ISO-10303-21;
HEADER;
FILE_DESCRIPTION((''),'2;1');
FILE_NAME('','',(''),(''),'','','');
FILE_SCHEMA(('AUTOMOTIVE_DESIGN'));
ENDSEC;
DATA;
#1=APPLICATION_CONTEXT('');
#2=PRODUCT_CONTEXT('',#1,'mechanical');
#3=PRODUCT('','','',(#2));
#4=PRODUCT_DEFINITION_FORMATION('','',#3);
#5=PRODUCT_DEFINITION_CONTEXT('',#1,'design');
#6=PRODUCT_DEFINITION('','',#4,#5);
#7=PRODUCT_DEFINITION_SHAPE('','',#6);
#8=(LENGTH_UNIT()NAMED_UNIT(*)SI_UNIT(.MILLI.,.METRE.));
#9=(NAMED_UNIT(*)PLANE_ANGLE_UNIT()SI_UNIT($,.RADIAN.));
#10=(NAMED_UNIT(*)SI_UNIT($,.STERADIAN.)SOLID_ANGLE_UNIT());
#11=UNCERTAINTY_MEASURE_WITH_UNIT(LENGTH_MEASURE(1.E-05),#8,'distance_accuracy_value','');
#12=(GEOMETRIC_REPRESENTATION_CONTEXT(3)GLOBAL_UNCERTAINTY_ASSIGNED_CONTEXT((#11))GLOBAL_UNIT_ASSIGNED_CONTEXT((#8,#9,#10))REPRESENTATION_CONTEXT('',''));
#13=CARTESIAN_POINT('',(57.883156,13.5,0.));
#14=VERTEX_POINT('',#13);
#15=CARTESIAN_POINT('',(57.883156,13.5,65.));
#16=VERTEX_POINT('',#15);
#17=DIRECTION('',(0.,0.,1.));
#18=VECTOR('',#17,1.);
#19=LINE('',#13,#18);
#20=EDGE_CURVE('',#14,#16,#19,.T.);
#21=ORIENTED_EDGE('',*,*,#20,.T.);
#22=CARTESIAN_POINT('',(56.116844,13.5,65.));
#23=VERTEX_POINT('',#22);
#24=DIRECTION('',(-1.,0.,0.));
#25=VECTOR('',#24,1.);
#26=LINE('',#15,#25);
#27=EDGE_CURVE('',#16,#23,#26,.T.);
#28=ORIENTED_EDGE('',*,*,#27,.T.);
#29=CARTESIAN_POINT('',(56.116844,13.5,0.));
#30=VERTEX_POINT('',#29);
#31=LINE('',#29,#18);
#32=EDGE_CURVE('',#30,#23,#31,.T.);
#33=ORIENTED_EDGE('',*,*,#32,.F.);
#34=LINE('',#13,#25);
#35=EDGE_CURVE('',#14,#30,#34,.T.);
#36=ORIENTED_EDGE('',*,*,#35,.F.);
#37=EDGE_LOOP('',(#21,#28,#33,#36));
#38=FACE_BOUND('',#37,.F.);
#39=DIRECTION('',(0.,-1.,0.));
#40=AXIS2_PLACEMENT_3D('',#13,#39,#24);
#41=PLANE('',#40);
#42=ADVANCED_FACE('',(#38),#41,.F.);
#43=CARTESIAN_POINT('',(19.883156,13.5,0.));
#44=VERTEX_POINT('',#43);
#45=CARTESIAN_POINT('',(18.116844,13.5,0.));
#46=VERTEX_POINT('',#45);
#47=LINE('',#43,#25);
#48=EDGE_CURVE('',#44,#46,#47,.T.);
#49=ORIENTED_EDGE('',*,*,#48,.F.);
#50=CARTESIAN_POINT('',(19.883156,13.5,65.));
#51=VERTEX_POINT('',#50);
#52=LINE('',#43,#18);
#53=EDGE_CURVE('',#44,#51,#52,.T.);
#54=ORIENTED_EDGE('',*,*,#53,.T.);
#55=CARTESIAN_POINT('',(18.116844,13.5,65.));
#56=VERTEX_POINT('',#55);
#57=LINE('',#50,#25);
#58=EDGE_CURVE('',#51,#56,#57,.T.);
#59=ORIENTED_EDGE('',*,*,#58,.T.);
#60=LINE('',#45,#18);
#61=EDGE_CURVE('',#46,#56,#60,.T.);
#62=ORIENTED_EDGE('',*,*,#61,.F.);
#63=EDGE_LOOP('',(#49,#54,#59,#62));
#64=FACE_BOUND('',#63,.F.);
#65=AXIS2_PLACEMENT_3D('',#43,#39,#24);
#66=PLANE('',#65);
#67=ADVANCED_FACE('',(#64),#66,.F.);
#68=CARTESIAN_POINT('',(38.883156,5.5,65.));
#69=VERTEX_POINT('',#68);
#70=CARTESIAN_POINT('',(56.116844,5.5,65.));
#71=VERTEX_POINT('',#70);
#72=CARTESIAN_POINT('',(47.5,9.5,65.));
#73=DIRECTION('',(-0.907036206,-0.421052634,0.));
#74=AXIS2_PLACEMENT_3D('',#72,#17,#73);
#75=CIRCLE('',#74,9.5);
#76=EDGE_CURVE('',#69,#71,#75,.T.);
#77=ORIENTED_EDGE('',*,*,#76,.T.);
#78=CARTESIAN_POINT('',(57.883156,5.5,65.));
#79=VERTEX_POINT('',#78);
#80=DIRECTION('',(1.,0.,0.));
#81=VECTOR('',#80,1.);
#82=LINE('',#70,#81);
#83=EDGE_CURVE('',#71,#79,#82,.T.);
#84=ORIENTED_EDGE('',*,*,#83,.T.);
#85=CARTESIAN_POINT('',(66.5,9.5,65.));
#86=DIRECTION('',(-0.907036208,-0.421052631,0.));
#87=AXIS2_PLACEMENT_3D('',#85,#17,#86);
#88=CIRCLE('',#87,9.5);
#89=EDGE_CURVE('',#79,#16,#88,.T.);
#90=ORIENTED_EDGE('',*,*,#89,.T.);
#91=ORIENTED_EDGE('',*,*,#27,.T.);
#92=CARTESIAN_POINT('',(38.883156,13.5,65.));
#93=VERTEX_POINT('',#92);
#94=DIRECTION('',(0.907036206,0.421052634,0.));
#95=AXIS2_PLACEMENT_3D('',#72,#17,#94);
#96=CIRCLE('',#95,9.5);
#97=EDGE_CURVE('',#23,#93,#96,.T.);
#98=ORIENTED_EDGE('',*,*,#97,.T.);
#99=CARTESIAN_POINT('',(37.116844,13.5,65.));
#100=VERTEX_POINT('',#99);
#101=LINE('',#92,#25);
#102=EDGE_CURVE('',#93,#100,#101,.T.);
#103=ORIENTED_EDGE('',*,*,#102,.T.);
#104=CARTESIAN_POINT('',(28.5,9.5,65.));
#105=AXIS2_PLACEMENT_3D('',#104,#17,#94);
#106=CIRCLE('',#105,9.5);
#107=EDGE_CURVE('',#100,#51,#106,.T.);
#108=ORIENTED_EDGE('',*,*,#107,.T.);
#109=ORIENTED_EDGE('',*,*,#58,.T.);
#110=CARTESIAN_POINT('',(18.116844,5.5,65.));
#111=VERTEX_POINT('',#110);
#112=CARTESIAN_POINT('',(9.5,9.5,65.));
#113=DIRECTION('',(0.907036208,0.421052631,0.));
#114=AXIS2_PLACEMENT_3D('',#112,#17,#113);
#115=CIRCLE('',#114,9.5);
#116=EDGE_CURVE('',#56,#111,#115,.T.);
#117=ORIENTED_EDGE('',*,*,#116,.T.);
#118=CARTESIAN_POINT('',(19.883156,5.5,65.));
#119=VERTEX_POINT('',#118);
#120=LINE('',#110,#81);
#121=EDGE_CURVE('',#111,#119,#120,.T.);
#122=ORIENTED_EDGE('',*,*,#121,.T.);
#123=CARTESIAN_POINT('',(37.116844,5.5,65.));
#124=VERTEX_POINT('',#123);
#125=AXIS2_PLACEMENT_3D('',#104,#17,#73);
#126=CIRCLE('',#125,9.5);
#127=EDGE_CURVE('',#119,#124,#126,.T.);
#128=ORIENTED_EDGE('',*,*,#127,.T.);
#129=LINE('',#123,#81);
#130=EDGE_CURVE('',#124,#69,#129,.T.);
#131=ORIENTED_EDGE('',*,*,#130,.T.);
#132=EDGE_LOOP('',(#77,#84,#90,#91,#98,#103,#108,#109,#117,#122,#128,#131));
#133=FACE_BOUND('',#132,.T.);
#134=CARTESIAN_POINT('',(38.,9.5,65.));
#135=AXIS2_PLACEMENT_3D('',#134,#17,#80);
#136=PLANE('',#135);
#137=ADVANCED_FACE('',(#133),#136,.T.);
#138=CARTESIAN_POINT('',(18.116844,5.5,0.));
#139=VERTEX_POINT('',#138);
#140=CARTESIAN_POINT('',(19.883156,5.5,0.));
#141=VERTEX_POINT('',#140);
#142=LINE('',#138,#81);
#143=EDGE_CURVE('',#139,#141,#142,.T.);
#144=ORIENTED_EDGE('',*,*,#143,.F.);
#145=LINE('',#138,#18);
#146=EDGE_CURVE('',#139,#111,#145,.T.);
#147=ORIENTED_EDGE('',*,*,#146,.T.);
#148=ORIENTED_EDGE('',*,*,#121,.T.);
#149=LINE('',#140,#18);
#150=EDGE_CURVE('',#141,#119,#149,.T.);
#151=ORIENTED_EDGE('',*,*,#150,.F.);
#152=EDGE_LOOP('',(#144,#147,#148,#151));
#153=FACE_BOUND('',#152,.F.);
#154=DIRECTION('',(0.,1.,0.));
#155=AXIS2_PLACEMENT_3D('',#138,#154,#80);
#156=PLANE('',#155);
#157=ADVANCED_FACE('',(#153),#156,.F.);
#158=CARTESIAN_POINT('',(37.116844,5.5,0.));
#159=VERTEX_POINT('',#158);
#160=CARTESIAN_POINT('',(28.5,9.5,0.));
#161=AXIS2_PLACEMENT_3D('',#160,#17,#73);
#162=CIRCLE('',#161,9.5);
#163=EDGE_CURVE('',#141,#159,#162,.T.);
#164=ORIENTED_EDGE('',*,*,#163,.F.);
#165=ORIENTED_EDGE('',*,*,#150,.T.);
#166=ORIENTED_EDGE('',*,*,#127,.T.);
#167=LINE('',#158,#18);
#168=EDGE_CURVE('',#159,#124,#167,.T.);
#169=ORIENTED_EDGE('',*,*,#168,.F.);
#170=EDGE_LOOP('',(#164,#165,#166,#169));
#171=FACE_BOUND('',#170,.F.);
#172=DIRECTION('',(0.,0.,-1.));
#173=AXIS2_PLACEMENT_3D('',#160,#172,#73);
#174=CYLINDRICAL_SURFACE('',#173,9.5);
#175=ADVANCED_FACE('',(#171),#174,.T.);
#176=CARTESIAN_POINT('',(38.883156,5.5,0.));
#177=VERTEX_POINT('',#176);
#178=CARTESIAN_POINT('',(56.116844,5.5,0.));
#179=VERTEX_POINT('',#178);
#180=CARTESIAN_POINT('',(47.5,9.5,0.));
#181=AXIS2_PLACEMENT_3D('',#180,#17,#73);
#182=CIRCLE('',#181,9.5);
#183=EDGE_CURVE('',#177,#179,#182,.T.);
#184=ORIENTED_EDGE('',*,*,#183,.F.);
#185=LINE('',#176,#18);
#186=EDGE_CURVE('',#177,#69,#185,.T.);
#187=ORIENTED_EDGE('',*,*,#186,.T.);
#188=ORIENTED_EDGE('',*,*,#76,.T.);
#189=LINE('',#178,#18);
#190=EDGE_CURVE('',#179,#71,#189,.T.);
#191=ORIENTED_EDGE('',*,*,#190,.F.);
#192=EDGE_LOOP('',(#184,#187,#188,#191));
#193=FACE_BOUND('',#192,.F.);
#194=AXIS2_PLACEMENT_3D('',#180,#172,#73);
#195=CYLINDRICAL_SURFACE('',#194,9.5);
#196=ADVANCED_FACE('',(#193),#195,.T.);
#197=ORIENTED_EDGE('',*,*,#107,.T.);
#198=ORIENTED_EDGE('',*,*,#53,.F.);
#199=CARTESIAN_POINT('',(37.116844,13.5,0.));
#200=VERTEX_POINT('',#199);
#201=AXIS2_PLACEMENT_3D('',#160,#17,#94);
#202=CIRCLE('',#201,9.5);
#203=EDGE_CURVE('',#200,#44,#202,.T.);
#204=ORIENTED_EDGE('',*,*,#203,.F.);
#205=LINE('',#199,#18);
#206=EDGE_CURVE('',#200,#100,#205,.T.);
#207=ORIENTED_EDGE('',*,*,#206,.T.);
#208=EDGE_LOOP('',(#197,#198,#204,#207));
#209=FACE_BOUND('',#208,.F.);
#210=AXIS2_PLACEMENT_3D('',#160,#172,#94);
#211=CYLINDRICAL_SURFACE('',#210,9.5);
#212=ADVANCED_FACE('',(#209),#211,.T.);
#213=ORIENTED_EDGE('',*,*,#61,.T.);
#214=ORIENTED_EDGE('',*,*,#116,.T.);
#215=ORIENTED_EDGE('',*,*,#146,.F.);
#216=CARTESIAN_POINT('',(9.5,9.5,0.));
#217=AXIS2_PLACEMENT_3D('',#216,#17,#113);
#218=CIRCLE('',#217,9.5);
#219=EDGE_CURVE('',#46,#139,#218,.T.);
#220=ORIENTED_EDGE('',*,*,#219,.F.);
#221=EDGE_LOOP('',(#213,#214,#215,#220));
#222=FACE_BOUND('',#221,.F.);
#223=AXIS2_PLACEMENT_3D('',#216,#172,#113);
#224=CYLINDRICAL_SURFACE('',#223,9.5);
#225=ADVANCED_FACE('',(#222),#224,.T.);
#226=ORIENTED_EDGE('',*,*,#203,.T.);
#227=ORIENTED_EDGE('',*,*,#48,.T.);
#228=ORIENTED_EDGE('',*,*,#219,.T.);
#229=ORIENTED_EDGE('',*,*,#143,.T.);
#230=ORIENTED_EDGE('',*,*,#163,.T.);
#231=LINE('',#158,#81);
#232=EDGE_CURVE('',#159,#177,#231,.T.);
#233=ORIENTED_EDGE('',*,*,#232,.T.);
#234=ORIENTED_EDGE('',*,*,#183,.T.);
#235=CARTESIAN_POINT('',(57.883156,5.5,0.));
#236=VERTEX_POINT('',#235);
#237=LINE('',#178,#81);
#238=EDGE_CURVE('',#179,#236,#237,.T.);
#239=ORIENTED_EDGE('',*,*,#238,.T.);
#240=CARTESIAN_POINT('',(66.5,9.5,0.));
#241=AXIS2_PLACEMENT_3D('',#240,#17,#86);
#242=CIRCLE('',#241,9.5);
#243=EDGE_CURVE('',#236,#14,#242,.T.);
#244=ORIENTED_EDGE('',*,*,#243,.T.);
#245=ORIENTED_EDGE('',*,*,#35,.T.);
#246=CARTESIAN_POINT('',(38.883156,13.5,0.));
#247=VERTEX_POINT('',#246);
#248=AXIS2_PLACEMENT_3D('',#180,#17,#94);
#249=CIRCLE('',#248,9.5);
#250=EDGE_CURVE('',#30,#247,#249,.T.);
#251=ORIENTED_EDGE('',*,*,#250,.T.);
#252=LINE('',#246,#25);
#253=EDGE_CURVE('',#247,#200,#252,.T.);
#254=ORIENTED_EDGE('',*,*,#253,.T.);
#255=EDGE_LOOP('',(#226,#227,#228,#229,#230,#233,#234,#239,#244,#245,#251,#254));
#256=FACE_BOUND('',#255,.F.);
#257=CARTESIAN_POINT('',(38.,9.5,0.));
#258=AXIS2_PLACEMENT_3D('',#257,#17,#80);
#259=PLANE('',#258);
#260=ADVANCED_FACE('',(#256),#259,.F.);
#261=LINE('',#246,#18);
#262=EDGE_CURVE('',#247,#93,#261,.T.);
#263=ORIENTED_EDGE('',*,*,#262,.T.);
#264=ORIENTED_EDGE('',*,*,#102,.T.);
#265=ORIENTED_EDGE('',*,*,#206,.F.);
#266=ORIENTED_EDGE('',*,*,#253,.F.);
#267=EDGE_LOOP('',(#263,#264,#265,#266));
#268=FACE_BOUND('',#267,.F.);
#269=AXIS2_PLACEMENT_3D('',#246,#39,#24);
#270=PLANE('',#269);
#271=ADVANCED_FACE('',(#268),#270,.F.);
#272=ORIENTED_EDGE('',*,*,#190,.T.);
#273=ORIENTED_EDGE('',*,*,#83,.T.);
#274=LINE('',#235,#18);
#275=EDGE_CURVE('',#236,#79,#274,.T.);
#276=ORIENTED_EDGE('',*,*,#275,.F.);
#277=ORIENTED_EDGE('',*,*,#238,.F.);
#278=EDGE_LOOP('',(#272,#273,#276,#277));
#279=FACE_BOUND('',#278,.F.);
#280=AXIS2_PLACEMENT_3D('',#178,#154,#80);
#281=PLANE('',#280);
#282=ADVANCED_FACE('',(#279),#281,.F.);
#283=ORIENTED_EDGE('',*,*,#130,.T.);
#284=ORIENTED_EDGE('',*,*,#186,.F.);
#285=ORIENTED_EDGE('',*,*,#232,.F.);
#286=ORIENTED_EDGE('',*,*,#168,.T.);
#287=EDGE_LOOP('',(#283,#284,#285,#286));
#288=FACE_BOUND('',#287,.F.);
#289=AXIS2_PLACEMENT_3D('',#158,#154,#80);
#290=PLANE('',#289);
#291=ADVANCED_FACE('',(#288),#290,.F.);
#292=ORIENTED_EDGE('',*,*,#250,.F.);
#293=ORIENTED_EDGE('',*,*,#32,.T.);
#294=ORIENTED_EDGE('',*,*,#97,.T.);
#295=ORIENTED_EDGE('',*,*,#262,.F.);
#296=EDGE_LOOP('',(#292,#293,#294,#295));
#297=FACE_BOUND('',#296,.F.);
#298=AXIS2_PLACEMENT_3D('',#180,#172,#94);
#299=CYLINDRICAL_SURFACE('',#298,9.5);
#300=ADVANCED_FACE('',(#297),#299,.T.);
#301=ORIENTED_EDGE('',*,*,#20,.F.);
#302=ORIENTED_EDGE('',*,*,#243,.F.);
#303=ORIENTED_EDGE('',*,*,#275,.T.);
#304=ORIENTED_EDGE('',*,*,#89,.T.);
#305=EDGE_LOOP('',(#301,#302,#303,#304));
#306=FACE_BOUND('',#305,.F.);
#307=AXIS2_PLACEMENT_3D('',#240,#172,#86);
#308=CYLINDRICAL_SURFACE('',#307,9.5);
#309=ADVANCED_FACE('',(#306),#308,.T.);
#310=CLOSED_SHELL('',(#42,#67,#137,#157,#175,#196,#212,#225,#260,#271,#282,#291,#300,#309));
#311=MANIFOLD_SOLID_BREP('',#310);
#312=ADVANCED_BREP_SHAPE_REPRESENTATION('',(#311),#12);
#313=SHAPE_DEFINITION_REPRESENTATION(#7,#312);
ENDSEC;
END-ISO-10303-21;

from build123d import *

# Parameters (mm, degrees)
PAD_DEPTH = 65


with BuildPart() as part:
    # Sketch → Pad (new body)
    with BuildSketch(Plane.XY):
        with BuildLine():
            ThreePointArc((18.116844, 13.5), (0, 9.5), (18.116844, 5.5))
            Line((18.116844, 5.5), (19.883156, 5.5))
            ThreePointArc((19.883156, 5.5), (28.5, 0), (37.116844, 5.5))
            Line((37.116844, 5.5), (38.883156, 5.5))
            ThreePointArc((38.883156, 5.5), (47.5, 0), (56.116844, 5.5))
            Line((56.116844, 5.5), (57.883156, 5.5))
            ThreePointArc((57.883156, 5.5), (76, 9.5), (57.883156, 13.5))
            Line((57.883156, 13.5), (56.116844, 13.5))
            ThreePointArc((56.116844, 13.5), (47.5, 19), (38.883156, 13.5))
            Line((38.883156, 13.5), (37.116844, 13.5))
            ThreePointArc((37.116844, 13.5), (28.5, 19), (19.883156, 13.5))
            Line((19.883156, 13.5), (18.116844, 13.5))
        make_face()
    extrude(amount=PAD_DEPTH)


solid = part.part
